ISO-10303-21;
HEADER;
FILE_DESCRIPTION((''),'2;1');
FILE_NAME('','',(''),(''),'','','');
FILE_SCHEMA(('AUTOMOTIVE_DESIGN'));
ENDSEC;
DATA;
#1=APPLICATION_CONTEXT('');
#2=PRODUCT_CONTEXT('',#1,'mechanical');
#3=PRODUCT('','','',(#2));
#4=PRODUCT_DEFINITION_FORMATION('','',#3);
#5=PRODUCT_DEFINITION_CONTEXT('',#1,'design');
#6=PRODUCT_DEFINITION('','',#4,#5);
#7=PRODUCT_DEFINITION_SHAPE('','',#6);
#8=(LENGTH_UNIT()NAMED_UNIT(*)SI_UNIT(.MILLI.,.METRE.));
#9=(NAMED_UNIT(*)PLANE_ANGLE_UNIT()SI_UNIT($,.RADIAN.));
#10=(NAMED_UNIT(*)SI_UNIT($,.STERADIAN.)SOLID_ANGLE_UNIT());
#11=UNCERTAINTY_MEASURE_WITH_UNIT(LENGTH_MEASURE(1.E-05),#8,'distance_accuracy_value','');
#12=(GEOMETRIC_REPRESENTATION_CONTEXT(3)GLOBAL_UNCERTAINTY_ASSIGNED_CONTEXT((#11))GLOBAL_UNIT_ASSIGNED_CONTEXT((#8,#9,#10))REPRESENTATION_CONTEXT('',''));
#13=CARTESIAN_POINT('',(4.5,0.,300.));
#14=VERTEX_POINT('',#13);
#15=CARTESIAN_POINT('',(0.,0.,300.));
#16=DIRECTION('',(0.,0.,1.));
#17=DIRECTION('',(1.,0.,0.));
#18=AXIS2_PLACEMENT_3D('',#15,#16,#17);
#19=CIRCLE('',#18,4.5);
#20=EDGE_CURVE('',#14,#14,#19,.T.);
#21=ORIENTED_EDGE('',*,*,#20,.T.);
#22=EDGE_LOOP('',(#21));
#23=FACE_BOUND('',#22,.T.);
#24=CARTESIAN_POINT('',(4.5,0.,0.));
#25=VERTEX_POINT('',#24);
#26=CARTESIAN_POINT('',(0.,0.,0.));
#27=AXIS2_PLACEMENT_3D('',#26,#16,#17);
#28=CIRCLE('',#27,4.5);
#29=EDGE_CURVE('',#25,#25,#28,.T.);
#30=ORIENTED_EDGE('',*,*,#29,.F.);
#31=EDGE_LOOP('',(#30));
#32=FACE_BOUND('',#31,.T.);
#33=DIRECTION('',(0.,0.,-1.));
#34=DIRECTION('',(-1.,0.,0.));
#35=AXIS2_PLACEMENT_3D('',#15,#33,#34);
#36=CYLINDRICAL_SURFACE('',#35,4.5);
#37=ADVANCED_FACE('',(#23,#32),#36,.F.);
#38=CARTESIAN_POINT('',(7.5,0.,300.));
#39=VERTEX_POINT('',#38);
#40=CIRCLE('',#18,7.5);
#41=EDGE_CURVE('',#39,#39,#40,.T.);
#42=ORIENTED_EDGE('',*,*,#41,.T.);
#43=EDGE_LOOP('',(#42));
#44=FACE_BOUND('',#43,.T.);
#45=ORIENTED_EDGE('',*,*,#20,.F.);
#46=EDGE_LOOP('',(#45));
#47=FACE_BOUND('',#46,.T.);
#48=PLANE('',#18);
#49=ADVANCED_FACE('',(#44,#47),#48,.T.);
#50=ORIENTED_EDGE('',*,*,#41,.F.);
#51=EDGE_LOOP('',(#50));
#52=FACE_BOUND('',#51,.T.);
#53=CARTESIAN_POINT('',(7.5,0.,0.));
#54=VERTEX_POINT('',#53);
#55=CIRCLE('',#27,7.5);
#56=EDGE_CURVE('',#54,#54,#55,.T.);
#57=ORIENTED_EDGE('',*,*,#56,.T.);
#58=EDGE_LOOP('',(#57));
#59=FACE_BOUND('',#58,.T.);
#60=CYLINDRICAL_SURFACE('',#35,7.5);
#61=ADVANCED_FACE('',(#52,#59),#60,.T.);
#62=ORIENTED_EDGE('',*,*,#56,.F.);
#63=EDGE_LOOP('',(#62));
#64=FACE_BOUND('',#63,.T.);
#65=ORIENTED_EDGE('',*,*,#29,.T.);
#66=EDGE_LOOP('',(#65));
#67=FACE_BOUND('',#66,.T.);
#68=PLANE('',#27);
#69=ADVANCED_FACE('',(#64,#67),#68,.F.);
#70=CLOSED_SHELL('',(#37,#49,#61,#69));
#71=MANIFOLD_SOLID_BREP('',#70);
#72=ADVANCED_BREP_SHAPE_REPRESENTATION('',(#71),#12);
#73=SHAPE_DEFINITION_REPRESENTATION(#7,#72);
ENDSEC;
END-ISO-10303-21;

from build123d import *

# Parameters (mm, degrees)
SKETCH1_R           = 7.5
SKETCH1_R_2         = 4.5
BOSS_EXTRUDE1_DEPTH = 300


with BuildPart() as part:
    # Sketch1 → Boss-Extrude1 (new body)
    with BuildSketch(Plane.XY):
        Circle(SKETCH1_R)
        Circle(SKETCH1_R_2, mode=Mode.SUBTRACT)
    extrude(amount=BOSS_EXTRUDE1_DEPTH)


solid = part.part
